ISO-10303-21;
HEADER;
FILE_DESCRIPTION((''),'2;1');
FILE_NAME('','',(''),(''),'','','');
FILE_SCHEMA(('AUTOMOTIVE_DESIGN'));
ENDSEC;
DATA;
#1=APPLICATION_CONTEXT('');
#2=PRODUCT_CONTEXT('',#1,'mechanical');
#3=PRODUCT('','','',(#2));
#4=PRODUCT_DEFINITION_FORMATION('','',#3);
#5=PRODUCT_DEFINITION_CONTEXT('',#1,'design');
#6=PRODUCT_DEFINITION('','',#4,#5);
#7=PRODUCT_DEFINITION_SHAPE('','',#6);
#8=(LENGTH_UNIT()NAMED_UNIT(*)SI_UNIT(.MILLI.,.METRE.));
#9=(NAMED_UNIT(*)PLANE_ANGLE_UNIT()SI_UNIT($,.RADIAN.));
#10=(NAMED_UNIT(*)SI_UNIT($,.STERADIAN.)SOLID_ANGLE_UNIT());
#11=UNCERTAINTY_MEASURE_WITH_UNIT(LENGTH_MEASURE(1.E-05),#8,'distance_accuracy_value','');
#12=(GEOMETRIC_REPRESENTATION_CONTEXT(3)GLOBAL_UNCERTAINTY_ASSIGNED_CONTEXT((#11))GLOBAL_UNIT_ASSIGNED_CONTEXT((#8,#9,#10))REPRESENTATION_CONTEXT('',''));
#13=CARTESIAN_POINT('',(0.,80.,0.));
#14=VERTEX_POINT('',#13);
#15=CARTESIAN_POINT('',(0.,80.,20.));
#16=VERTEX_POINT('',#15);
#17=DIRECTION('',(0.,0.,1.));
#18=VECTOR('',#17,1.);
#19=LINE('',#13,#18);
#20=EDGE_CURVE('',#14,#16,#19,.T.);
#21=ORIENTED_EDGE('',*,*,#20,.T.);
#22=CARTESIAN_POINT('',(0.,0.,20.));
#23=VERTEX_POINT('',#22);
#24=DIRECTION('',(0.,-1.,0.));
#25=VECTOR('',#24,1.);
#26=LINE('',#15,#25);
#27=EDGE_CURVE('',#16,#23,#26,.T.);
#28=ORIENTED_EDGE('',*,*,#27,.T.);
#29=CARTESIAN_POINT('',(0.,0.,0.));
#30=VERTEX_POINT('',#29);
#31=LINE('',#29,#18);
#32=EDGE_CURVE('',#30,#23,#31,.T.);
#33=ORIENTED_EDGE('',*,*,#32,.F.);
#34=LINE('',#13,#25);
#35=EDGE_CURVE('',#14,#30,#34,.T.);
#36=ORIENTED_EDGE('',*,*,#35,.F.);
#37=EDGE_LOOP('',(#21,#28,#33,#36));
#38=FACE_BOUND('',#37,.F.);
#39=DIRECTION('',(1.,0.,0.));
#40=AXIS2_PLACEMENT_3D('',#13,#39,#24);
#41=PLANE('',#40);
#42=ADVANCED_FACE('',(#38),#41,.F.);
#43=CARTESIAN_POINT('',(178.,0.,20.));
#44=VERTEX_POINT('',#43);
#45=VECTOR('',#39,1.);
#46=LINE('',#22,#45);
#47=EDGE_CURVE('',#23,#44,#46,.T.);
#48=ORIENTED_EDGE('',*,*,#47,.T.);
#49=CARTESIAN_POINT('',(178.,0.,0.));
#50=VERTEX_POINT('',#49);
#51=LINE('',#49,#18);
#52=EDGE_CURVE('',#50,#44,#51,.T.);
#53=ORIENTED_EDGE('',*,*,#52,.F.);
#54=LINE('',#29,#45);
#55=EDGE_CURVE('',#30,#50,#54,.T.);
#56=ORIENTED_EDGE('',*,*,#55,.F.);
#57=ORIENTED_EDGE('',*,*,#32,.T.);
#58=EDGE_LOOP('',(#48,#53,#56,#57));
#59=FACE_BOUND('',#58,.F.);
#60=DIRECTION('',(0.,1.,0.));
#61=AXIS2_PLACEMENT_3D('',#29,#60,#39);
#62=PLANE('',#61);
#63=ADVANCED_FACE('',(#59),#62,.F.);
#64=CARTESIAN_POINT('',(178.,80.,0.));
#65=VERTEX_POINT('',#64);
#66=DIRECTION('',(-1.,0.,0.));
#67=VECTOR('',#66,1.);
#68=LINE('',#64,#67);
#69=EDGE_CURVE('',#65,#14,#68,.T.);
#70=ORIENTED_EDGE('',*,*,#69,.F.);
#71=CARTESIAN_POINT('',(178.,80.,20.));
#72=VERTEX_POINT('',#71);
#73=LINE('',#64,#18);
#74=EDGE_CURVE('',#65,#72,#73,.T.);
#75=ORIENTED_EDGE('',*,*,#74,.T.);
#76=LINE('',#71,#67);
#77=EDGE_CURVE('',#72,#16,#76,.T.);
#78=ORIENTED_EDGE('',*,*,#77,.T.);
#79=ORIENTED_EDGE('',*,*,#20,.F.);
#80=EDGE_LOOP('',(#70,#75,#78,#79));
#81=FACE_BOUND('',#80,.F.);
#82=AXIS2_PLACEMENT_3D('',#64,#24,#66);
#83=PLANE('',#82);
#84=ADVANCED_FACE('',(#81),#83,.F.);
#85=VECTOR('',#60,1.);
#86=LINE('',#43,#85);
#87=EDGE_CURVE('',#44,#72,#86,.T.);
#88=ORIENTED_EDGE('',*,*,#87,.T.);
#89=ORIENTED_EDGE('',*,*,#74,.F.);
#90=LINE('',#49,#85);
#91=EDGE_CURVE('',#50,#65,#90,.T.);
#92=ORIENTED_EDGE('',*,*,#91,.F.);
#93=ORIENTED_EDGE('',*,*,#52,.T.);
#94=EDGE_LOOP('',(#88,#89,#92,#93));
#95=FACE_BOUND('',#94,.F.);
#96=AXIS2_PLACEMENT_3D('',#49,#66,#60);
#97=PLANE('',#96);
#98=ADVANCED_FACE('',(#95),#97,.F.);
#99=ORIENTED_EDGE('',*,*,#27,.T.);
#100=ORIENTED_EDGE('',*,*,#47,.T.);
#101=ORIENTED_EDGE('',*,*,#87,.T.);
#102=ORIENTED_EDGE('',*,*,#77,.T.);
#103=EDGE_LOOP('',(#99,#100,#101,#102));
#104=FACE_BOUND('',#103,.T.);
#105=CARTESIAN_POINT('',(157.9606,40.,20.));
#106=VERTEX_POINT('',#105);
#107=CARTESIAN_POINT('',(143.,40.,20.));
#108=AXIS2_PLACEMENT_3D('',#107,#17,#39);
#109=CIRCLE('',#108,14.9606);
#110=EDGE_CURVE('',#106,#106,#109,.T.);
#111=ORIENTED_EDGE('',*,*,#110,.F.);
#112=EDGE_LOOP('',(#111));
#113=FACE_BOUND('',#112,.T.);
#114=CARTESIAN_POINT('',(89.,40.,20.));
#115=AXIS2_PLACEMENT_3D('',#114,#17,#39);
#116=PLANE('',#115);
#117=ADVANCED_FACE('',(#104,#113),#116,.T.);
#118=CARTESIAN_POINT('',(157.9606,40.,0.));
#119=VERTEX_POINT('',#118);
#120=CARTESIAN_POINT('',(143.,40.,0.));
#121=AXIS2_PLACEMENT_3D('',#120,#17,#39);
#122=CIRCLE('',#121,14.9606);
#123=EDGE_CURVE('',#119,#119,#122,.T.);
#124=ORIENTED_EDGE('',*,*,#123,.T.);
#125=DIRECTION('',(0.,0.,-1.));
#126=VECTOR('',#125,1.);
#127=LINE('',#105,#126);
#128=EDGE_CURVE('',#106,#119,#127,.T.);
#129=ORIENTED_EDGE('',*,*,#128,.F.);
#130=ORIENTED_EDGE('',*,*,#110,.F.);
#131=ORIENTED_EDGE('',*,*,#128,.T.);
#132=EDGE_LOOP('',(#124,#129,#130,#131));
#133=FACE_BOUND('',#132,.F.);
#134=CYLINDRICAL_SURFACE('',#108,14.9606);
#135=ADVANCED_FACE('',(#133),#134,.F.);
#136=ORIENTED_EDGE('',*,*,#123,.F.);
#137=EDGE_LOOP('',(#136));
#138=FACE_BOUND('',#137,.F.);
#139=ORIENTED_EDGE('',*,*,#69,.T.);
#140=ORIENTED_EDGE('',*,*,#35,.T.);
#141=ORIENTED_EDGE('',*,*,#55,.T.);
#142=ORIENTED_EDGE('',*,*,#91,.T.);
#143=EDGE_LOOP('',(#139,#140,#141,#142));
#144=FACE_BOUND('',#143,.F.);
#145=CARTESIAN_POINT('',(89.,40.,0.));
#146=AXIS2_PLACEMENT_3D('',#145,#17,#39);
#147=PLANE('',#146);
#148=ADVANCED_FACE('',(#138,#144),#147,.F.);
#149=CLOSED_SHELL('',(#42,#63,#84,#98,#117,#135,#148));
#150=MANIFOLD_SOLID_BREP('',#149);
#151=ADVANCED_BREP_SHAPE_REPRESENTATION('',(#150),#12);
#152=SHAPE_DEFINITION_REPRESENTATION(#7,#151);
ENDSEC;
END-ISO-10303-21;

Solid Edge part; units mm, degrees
sketch "Sketch1" plane through (0, 0, 0) normal (0, 0, 1) x (1, 0, 0)
  line L0 (178, 0) -> (178, 80)
  line L1 (178, 80) -> (0, 80)
  line L2 (0, 80) -> (0, 0)
  line L3 (0, 0) -> (178, 0)
extrude "Protrusion1" add sketch "Sketch1" along normal blind 20
sketch "Sketch2" plane through (89, 40, 20) normal (0, 0, 1) x (1, 0, 0)
  circle A0 centre (54, 0) radius 14.9606
extrude "Cutout1" cut sketch "Sketch2" against normal through all
